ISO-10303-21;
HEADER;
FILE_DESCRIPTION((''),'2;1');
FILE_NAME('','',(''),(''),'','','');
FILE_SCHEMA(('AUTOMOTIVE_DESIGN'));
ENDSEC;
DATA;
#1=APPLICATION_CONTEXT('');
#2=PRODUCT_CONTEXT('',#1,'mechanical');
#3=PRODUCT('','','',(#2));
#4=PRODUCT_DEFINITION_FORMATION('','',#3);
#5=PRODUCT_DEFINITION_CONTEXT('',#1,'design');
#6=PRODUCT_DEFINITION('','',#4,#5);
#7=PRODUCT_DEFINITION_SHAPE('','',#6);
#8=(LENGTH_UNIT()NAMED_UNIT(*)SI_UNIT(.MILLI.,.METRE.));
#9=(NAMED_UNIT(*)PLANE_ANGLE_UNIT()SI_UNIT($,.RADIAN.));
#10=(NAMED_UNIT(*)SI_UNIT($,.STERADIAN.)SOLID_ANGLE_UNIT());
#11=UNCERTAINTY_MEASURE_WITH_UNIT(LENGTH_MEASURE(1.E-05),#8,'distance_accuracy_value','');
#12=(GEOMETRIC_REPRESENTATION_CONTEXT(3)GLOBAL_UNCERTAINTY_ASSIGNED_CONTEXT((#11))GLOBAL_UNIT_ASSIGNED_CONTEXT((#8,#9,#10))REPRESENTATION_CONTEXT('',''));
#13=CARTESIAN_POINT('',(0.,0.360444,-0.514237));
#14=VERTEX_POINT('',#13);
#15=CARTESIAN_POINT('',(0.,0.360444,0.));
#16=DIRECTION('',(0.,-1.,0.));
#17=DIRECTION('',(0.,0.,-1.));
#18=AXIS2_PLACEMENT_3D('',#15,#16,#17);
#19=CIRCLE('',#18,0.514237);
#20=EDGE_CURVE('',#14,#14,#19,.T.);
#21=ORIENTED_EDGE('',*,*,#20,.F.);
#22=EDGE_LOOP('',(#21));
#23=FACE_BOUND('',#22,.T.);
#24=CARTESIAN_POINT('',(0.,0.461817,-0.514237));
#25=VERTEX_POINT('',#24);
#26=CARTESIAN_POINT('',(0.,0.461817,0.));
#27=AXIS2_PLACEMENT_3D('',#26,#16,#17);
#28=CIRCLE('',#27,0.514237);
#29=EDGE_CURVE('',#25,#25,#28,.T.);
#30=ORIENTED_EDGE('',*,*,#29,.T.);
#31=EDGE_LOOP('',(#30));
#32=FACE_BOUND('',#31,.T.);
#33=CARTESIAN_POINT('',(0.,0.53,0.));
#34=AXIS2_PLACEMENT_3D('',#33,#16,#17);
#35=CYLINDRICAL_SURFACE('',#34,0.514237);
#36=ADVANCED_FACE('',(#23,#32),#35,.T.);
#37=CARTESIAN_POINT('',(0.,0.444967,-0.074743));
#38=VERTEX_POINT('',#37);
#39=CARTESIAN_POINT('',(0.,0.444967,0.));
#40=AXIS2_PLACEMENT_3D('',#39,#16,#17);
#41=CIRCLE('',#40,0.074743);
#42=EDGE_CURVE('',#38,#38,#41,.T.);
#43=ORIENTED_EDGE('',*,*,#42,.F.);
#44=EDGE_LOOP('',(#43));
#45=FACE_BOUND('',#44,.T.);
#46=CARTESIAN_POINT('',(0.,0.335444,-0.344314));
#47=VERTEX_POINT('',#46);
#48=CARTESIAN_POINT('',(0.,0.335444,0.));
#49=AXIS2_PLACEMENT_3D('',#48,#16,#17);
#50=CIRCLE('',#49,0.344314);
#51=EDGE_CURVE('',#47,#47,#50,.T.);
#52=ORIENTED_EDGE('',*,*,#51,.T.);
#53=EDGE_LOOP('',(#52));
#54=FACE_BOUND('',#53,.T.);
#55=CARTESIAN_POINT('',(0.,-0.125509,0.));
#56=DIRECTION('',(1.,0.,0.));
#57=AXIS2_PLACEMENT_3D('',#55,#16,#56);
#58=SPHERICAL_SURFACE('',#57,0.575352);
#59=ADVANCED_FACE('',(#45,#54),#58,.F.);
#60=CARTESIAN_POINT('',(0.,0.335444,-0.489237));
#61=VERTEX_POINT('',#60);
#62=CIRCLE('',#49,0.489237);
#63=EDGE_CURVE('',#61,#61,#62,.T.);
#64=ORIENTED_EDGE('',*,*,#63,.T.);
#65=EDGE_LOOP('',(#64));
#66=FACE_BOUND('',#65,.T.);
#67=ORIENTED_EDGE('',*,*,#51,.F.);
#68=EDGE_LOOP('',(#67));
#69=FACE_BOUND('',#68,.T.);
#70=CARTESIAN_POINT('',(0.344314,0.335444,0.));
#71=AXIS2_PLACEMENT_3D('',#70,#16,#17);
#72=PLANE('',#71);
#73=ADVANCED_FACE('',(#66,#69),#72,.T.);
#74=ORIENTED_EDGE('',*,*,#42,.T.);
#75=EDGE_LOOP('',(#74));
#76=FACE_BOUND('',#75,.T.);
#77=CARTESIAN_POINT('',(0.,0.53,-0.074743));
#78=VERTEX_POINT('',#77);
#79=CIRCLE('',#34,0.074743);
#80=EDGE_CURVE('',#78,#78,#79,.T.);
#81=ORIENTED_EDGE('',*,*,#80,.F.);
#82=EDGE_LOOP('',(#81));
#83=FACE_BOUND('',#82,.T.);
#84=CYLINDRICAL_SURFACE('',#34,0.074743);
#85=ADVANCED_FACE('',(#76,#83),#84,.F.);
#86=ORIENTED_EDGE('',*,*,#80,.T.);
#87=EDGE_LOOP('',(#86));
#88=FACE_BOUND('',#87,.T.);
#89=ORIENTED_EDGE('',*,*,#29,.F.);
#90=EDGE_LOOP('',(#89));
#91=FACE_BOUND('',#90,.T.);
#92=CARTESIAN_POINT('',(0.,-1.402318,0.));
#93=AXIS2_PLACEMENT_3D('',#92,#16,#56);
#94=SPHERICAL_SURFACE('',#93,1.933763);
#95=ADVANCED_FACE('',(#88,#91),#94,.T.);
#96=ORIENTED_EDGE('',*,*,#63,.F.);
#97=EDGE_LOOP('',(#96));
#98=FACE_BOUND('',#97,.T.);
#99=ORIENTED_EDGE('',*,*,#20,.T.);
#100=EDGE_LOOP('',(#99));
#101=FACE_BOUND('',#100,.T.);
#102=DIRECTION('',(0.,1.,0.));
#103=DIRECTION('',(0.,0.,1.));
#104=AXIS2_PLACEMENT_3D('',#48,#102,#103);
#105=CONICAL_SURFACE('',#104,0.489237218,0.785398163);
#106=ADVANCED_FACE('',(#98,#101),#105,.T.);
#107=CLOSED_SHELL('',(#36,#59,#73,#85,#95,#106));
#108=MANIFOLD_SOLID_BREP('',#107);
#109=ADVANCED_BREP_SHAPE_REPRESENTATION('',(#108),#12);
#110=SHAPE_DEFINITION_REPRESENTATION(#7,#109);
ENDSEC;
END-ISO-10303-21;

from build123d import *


with BuildPart() as part:
    # Sketch1 → Revolve1 (revolve)
    with BuildSketch(Plane.XY):
        with BuildLine():
            Line((0.074742787, 0.53), (0.074742787, 0.444967446))
            ThreePointArc((0.074742787, 0.444967446), (0.216566315, 0.407528436), (0.344313925, 0.335444176))
            Line((0.344313925, 0.335444176), (0.489237218, 0.335444176))
            Line((0.489237218, 0.335444176), (0.514237218, 0.360444176))
            Line((0.514237218, 0.360444176), (0.514237218, 0.46181705))
            ThreePointArc((0.514237218, 0.46181705), (0.296456726, 0.508585652), (0.074742787, 0.53))
        make_face()
    revolve(axis=Axis((0, 0.53, 0), (0, -1, 0)))


solid = part.part
